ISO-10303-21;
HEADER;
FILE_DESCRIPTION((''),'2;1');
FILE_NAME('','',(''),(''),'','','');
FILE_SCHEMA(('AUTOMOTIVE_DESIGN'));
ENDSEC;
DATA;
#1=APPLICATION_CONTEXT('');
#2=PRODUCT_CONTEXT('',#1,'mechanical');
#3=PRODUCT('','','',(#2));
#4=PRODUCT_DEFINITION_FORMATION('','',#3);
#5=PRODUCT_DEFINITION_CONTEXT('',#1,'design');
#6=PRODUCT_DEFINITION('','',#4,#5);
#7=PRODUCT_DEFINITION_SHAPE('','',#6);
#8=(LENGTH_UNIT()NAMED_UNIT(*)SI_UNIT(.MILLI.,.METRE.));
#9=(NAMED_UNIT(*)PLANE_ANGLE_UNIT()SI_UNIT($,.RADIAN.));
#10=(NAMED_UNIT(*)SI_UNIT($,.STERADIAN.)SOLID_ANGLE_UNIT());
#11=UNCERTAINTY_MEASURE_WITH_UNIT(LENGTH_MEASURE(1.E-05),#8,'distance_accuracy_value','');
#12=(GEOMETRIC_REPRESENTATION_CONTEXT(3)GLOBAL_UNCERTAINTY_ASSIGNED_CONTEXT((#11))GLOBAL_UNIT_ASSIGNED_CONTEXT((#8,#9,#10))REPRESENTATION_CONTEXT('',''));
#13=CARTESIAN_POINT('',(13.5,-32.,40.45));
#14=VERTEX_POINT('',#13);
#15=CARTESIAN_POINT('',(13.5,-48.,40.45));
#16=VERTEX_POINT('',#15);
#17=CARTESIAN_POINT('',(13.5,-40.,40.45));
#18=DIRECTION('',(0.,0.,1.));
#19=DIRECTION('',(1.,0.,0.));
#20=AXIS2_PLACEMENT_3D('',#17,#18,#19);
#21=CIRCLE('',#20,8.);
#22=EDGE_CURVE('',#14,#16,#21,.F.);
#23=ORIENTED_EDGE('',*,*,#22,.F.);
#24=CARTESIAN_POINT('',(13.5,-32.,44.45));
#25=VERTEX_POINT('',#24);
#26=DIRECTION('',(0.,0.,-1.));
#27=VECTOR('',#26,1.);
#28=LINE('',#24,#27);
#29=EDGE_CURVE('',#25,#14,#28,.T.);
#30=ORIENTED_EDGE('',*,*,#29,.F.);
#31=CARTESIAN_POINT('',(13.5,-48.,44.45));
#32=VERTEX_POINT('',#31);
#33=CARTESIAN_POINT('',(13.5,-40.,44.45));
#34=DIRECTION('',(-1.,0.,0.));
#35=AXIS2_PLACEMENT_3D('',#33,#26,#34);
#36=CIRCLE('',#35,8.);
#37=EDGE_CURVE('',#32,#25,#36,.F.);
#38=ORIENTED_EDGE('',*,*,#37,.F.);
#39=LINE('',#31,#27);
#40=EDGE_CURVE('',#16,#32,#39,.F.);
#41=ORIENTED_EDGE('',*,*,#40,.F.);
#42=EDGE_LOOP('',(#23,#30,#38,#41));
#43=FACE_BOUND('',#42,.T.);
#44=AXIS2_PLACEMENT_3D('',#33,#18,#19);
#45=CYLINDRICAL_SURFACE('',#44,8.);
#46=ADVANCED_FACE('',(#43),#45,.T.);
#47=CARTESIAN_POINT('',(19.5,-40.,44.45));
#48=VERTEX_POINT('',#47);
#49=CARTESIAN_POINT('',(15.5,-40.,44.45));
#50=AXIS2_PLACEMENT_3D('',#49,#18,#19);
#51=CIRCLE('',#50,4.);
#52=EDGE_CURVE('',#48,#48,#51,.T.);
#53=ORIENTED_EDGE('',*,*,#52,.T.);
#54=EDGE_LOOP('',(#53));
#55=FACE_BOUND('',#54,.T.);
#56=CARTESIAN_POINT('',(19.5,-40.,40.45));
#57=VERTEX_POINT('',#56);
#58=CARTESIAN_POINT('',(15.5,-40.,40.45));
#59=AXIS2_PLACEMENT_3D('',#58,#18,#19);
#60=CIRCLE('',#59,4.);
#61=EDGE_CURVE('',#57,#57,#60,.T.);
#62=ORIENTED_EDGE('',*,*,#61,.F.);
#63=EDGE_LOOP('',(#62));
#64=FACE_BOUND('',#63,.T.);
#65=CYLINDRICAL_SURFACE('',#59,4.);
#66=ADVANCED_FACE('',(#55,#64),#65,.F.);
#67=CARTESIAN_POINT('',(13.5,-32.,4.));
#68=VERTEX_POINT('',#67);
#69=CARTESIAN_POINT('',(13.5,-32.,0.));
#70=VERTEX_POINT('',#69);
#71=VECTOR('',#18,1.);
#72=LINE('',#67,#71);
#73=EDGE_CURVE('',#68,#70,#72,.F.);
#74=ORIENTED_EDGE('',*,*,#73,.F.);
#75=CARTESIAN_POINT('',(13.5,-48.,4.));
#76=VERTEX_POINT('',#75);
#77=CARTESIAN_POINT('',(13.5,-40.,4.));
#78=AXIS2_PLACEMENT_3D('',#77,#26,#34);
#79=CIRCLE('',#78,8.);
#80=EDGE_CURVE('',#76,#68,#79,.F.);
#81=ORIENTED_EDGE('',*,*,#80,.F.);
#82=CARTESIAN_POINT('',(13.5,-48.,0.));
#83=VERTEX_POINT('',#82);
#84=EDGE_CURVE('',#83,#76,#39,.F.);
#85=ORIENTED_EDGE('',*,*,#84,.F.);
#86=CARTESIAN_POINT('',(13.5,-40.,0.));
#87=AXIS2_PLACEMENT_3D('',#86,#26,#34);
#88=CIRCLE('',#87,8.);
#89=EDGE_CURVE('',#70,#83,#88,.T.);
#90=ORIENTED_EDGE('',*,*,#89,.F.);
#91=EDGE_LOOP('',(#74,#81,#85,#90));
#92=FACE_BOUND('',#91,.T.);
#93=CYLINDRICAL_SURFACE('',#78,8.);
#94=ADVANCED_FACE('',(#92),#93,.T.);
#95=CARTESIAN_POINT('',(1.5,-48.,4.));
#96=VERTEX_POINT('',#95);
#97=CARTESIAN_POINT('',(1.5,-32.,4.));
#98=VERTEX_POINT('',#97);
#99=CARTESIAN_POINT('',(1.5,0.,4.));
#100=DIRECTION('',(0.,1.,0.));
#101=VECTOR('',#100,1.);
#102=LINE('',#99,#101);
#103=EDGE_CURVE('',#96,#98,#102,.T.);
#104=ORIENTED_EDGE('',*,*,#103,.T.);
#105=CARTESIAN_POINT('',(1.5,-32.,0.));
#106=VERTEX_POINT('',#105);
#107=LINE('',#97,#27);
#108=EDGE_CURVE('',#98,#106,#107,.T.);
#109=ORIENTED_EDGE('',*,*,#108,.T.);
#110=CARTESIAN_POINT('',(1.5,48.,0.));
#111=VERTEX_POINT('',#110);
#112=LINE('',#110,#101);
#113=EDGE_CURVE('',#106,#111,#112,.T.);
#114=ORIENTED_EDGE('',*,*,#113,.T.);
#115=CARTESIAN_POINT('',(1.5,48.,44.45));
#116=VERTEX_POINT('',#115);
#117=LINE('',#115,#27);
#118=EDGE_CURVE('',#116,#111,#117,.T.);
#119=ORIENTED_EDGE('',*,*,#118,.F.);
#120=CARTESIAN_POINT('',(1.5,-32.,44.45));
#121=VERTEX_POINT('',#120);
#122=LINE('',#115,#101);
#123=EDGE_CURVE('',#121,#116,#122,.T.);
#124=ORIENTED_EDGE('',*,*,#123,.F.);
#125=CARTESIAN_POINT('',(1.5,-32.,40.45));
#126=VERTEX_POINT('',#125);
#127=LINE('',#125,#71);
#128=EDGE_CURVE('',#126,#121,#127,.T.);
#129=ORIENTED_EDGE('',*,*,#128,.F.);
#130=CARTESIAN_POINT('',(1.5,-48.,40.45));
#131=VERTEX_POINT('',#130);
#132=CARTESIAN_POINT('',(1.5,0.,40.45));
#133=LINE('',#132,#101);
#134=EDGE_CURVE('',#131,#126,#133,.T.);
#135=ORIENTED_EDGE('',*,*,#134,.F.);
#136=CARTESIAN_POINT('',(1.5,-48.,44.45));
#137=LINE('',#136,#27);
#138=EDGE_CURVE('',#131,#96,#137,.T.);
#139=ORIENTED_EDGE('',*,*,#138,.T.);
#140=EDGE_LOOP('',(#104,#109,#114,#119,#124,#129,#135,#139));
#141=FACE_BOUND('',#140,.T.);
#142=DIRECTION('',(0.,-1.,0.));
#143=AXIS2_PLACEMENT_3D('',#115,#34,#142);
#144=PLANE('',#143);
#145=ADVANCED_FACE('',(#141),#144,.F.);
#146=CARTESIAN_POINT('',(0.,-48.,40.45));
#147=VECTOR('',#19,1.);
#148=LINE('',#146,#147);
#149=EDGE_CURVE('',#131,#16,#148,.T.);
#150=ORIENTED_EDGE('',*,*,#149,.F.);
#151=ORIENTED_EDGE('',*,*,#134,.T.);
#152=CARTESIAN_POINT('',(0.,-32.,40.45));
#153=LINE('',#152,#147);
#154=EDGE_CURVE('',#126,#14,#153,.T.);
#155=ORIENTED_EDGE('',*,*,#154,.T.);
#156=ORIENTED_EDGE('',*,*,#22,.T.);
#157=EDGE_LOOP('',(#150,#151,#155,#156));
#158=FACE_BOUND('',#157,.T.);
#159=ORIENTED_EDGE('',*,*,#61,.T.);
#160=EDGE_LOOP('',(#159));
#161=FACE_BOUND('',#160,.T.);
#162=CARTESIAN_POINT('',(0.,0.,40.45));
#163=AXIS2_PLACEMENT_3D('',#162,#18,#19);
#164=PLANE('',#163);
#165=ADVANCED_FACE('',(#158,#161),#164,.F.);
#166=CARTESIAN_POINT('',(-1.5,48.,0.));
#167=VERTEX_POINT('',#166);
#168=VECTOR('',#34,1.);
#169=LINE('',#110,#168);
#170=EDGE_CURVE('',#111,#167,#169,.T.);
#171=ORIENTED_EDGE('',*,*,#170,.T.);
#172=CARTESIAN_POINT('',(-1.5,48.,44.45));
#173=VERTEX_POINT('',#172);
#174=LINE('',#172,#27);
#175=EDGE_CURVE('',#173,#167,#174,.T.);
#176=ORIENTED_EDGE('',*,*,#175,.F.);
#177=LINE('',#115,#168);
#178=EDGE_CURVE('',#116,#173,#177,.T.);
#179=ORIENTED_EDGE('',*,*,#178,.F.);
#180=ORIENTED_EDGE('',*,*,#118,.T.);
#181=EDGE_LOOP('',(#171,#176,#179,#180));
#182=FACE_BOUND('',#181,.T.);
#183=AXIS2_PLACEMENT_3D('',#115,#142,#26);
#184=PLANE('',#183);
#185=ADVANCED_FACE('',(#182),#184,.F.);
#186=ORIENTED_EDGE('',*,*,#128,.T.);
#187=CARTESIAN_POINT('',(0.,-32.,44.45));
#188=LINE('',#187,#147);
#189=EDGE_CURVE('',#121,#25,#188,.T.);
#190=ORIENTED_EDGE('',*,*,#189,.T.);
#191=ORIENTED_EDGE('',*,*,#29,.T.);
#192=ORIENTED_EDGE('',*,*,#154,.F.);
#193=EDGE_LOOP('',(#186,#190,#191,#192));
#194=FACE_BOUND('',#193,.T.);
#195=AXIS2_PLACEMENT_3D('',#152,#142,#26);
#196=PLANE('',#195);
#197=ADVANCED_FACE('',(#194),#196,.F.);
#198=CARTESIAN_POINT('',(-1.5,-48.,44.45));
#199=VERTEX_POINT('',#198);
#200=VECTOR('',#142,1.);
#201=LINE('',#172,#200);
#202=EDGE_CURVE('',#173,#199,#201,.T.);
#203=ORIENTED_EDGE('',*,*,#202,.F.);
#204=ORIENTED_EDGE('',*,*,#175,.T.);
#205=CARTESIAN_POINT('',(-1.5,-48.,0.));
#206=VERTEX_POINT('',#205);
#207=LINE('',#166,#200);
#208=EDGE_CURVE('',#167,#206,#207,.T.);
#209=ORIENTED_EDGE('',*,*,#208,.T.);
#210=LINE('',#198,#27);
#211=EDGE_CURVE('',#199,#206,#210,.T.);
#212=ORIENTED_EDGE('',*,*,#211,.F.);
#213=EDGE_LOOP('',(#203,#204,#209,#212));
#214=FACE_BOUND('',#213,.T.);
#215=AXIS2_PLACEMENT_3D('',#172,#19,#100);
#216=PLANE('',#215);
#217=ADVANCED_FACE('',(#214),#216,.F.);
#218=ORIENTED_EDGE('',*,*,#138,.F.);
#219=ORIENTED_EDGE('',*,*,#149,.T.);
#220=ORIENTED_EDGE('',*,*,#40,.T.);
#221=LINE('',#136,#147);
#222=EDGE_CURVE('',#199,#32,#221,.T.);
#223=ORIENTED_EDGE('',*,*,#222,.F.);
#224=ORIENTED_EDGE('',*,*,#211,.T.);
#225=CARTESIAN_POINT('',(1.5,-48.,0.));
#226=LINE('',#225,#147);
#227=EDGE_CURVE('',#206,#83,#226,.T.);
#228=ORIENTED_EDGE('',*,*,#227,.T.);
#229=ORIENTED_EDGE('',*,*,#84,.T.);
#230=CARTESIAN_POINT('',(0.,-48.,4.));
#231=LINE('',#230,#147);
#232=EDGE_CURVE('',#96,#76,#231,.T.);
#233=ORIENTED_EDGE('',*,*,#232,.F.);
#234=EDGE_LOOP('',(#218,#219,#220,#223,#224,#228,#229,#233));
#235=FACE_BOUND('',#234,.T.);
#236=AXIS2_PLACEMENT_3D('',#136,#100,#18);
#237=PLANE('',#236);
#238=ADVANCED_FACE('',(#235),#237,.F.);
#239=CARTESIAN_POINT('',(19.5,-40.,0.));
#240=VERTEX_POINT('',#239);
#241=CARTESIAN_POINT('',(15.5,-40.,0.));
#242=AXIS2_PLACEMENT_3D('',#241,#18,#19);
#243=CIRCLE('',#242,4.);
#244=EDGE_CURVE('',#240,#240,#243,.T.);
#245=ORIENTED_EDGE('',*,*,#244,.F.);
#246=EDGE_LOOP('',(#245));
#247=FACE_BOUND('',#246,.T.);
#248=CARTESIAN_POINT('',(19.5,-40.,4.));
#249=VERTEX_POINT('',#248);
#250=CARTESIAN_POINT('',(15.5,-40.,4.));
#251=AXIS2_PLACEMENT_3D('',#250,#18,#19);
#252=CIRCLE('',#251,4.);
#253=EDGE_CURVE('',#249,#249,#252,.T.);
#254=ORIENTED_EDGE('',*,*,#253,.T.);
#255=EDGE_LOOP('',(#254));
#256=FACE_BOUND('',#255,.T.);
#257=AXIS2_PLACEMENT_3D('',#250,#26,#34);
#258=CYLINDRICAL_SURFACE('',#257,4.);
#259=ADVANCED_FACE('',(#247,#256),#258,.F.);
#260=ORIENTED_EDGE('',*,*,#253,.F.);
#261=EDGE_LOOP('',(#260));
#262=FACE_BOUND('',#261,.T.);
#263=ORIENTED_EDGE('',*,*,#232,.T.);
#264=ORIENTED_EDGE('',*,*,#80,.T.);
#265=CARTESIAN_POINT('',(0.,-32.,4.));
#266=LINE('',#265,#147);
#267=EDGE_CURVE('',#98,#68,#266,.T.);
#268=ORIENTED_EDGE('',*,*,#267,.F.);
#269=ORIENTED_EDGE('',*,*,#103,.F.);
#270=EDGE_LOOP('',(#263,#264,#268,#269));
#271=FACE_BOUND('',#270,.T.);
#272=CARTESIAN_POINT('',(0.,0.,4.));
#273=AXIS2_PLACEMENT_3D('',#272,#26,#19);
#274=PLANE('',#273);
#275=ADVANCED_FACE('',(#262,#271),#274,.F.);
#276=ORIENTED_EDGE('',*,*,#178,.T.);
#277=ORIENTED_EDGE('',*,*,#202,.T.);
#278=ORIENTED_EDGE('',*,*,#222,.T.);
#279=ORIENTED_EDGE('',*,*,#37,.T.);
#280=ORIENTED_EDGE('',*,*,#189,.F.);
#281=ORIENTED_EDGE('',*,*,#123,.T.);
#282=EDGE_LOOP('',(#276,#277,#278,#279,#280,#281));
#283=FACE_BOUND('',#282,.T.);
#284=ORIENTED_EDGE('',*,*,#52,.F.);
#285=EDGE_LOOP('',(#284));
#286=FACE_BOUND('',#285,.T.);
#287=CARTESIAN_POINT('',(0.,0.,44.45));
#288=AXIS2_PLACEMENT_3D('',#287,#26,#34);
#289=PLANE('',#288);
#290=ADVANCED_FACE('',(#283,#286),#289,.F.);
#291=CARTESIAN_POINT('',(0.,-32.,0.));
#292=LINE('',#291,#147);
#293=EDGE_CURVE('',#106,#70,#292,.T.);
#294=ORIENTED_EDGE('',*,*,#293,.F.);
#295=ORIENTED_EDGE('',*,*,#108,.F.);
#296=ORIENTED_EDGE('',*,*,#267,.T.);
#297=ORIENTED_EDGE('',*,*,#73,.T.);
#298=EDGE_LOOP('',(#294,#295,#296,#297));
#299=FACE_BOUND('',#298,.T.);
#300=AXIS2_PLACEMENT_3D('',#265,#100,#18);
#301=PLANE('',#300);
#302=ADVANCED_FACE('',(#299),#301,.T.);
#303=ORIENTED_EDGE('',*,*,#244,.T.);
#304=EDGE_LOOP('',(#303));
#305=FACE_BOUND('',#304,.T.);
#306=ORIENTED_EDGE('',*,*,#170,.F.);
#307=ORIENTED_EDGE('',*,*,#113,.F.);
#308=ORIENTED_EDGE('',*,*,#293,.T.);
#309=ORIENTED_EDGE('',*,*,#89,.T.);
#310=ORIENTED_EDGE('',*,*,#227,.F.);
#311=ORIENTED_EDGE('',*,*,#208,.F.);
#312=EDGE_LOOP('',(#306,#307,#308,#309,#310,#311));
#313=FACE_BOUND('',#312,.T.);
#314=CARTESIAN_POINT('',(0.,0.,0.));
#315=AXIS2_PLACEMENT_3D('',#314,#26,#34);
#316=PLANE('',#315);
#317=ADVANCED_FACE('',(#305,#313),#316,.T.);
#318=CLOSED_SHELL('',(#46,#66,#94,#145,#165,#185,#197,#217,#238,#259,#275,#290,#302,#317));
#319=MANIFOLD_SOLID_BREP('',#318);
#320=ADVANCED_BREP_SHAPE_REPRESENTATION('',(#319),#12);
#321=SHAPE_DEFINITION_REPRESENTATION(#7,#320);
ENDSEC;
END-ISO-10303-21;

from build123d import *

# Parameters (mm, degrees)
SKETCH1_W                   = 3
SKETCH1_H                   = 96
BOSS_EXTRUDE1_DEPTH         = 44.45
SKETCH2_W                   = 20
SKETCH2_H                   = 16
SKETCH2_R                   = 4
BOSS_EXTRUDE2_DEPTH         = 4
FILLET2_RADIUS              = 8
FILLET2_LENGTH              = 4
FILLET2_OF_MIRROR2_2_RADIUS = 8
FILLET2_OF_MIRROR2_2_LENGTH = 4


with BuildPart() as part:
    # Sketch1 → Boss-Extrude1 (new body)
    with BuildSketch(Plane.XY):
        Rectangle(SKETCH1_W, SKETCH1_H)
    extrude(amount=BOSS_EXTRUDE1_DEPTH)

    # Sketch2 → Boss-Extrude2 (add)
    with BuildSketch(Plane.XY.offset(44.45)):
        with Locations((11.5, -40)):
            Rectangle(SKETCH2_W, SKETCH2_H)
        with Locations((15.5, -40)):
            Circle(SKETCH2_R, mode=Mode.SUBTRACT)
    boss_extrude2 = extrude(amount=-BOSS_EXTRUDE2_DEPTH)

    # Fillet2: full round fillet: the end face becomes a half cylinder, R = half its width
    fillet2_face = Plane((21.5, -40, 42.45), x_dir=(0, 0, -1), z_dir=(1, 0, 0))  # on the end face: x along it, z out of the body
    fillet2_slab = fillet2_face.offset(-FILLET2_RADIUS / 2) * Box(FILLET2_LENGTH, 2 * FILLET2_RADIUS, FILLET2_RADIUS, mode=Mode.PRIVATE)  # the body's end, R deep
    fillet2_round = Plane((13.5, -40, 42.45), x_dir=(1, 0, 0), z_dir=(0, 0, -1)) * Cylinder(FILLET2_RADIUS, FILLET2_LENGTH, mode=Mode.PRIVATE)  # its axis R under the face
    add(fillet2_slab - fillet2_round, mode=Mode.SUBTRACT)

    # Mirror2: Boss-Extrude2 across plane
    add(boss_extrude2.mirror(Plane.XY.offset(22.225)))

    # Fillet2 of Mirror2 2: full round fillet: the end face becomes a half cylinder, R = half its width
    fillet2_of_mirror2_2_face = Plane((21.5, -40, 2), x_dir=(0, 0, 1), z_dir=(1, 0, 0))  # on the end face: x along it, z out of the body
    fillet2_of_mirror2_2_slab = fillet2_of_mirror2_2_face.offset(-FILLET2_OF_MIRROR2_2_RADIUS / 2) * Box(FILLET2_OF_MIRROR2_2_LENGTH, 2 * FILLET2_OF_MIRROR2_2_RADIUS, FILLET2_OF_MIRROR2_2_RADIUS, mode=Mode.PRIVATE)  # the body's end, R deep
    fillet2_of_mirror2_2_round = Plane((13.5, -40, 2), x_dir=(1, 0, 0), z_dir=(0, 0, 1)) * Cylinder(FILLET2_OF_MIRROR2_2_RADIUS, FILLET2_OF_MIRROR2_2_LENGTH, mode=Mode.PRIVATE)  # its axis R under the face
    add(fillet2_of_mirror2_2_slab - fillet2_of_mirror2_2_round, mode=Mode.SUBTRACT)


solid = part.part
